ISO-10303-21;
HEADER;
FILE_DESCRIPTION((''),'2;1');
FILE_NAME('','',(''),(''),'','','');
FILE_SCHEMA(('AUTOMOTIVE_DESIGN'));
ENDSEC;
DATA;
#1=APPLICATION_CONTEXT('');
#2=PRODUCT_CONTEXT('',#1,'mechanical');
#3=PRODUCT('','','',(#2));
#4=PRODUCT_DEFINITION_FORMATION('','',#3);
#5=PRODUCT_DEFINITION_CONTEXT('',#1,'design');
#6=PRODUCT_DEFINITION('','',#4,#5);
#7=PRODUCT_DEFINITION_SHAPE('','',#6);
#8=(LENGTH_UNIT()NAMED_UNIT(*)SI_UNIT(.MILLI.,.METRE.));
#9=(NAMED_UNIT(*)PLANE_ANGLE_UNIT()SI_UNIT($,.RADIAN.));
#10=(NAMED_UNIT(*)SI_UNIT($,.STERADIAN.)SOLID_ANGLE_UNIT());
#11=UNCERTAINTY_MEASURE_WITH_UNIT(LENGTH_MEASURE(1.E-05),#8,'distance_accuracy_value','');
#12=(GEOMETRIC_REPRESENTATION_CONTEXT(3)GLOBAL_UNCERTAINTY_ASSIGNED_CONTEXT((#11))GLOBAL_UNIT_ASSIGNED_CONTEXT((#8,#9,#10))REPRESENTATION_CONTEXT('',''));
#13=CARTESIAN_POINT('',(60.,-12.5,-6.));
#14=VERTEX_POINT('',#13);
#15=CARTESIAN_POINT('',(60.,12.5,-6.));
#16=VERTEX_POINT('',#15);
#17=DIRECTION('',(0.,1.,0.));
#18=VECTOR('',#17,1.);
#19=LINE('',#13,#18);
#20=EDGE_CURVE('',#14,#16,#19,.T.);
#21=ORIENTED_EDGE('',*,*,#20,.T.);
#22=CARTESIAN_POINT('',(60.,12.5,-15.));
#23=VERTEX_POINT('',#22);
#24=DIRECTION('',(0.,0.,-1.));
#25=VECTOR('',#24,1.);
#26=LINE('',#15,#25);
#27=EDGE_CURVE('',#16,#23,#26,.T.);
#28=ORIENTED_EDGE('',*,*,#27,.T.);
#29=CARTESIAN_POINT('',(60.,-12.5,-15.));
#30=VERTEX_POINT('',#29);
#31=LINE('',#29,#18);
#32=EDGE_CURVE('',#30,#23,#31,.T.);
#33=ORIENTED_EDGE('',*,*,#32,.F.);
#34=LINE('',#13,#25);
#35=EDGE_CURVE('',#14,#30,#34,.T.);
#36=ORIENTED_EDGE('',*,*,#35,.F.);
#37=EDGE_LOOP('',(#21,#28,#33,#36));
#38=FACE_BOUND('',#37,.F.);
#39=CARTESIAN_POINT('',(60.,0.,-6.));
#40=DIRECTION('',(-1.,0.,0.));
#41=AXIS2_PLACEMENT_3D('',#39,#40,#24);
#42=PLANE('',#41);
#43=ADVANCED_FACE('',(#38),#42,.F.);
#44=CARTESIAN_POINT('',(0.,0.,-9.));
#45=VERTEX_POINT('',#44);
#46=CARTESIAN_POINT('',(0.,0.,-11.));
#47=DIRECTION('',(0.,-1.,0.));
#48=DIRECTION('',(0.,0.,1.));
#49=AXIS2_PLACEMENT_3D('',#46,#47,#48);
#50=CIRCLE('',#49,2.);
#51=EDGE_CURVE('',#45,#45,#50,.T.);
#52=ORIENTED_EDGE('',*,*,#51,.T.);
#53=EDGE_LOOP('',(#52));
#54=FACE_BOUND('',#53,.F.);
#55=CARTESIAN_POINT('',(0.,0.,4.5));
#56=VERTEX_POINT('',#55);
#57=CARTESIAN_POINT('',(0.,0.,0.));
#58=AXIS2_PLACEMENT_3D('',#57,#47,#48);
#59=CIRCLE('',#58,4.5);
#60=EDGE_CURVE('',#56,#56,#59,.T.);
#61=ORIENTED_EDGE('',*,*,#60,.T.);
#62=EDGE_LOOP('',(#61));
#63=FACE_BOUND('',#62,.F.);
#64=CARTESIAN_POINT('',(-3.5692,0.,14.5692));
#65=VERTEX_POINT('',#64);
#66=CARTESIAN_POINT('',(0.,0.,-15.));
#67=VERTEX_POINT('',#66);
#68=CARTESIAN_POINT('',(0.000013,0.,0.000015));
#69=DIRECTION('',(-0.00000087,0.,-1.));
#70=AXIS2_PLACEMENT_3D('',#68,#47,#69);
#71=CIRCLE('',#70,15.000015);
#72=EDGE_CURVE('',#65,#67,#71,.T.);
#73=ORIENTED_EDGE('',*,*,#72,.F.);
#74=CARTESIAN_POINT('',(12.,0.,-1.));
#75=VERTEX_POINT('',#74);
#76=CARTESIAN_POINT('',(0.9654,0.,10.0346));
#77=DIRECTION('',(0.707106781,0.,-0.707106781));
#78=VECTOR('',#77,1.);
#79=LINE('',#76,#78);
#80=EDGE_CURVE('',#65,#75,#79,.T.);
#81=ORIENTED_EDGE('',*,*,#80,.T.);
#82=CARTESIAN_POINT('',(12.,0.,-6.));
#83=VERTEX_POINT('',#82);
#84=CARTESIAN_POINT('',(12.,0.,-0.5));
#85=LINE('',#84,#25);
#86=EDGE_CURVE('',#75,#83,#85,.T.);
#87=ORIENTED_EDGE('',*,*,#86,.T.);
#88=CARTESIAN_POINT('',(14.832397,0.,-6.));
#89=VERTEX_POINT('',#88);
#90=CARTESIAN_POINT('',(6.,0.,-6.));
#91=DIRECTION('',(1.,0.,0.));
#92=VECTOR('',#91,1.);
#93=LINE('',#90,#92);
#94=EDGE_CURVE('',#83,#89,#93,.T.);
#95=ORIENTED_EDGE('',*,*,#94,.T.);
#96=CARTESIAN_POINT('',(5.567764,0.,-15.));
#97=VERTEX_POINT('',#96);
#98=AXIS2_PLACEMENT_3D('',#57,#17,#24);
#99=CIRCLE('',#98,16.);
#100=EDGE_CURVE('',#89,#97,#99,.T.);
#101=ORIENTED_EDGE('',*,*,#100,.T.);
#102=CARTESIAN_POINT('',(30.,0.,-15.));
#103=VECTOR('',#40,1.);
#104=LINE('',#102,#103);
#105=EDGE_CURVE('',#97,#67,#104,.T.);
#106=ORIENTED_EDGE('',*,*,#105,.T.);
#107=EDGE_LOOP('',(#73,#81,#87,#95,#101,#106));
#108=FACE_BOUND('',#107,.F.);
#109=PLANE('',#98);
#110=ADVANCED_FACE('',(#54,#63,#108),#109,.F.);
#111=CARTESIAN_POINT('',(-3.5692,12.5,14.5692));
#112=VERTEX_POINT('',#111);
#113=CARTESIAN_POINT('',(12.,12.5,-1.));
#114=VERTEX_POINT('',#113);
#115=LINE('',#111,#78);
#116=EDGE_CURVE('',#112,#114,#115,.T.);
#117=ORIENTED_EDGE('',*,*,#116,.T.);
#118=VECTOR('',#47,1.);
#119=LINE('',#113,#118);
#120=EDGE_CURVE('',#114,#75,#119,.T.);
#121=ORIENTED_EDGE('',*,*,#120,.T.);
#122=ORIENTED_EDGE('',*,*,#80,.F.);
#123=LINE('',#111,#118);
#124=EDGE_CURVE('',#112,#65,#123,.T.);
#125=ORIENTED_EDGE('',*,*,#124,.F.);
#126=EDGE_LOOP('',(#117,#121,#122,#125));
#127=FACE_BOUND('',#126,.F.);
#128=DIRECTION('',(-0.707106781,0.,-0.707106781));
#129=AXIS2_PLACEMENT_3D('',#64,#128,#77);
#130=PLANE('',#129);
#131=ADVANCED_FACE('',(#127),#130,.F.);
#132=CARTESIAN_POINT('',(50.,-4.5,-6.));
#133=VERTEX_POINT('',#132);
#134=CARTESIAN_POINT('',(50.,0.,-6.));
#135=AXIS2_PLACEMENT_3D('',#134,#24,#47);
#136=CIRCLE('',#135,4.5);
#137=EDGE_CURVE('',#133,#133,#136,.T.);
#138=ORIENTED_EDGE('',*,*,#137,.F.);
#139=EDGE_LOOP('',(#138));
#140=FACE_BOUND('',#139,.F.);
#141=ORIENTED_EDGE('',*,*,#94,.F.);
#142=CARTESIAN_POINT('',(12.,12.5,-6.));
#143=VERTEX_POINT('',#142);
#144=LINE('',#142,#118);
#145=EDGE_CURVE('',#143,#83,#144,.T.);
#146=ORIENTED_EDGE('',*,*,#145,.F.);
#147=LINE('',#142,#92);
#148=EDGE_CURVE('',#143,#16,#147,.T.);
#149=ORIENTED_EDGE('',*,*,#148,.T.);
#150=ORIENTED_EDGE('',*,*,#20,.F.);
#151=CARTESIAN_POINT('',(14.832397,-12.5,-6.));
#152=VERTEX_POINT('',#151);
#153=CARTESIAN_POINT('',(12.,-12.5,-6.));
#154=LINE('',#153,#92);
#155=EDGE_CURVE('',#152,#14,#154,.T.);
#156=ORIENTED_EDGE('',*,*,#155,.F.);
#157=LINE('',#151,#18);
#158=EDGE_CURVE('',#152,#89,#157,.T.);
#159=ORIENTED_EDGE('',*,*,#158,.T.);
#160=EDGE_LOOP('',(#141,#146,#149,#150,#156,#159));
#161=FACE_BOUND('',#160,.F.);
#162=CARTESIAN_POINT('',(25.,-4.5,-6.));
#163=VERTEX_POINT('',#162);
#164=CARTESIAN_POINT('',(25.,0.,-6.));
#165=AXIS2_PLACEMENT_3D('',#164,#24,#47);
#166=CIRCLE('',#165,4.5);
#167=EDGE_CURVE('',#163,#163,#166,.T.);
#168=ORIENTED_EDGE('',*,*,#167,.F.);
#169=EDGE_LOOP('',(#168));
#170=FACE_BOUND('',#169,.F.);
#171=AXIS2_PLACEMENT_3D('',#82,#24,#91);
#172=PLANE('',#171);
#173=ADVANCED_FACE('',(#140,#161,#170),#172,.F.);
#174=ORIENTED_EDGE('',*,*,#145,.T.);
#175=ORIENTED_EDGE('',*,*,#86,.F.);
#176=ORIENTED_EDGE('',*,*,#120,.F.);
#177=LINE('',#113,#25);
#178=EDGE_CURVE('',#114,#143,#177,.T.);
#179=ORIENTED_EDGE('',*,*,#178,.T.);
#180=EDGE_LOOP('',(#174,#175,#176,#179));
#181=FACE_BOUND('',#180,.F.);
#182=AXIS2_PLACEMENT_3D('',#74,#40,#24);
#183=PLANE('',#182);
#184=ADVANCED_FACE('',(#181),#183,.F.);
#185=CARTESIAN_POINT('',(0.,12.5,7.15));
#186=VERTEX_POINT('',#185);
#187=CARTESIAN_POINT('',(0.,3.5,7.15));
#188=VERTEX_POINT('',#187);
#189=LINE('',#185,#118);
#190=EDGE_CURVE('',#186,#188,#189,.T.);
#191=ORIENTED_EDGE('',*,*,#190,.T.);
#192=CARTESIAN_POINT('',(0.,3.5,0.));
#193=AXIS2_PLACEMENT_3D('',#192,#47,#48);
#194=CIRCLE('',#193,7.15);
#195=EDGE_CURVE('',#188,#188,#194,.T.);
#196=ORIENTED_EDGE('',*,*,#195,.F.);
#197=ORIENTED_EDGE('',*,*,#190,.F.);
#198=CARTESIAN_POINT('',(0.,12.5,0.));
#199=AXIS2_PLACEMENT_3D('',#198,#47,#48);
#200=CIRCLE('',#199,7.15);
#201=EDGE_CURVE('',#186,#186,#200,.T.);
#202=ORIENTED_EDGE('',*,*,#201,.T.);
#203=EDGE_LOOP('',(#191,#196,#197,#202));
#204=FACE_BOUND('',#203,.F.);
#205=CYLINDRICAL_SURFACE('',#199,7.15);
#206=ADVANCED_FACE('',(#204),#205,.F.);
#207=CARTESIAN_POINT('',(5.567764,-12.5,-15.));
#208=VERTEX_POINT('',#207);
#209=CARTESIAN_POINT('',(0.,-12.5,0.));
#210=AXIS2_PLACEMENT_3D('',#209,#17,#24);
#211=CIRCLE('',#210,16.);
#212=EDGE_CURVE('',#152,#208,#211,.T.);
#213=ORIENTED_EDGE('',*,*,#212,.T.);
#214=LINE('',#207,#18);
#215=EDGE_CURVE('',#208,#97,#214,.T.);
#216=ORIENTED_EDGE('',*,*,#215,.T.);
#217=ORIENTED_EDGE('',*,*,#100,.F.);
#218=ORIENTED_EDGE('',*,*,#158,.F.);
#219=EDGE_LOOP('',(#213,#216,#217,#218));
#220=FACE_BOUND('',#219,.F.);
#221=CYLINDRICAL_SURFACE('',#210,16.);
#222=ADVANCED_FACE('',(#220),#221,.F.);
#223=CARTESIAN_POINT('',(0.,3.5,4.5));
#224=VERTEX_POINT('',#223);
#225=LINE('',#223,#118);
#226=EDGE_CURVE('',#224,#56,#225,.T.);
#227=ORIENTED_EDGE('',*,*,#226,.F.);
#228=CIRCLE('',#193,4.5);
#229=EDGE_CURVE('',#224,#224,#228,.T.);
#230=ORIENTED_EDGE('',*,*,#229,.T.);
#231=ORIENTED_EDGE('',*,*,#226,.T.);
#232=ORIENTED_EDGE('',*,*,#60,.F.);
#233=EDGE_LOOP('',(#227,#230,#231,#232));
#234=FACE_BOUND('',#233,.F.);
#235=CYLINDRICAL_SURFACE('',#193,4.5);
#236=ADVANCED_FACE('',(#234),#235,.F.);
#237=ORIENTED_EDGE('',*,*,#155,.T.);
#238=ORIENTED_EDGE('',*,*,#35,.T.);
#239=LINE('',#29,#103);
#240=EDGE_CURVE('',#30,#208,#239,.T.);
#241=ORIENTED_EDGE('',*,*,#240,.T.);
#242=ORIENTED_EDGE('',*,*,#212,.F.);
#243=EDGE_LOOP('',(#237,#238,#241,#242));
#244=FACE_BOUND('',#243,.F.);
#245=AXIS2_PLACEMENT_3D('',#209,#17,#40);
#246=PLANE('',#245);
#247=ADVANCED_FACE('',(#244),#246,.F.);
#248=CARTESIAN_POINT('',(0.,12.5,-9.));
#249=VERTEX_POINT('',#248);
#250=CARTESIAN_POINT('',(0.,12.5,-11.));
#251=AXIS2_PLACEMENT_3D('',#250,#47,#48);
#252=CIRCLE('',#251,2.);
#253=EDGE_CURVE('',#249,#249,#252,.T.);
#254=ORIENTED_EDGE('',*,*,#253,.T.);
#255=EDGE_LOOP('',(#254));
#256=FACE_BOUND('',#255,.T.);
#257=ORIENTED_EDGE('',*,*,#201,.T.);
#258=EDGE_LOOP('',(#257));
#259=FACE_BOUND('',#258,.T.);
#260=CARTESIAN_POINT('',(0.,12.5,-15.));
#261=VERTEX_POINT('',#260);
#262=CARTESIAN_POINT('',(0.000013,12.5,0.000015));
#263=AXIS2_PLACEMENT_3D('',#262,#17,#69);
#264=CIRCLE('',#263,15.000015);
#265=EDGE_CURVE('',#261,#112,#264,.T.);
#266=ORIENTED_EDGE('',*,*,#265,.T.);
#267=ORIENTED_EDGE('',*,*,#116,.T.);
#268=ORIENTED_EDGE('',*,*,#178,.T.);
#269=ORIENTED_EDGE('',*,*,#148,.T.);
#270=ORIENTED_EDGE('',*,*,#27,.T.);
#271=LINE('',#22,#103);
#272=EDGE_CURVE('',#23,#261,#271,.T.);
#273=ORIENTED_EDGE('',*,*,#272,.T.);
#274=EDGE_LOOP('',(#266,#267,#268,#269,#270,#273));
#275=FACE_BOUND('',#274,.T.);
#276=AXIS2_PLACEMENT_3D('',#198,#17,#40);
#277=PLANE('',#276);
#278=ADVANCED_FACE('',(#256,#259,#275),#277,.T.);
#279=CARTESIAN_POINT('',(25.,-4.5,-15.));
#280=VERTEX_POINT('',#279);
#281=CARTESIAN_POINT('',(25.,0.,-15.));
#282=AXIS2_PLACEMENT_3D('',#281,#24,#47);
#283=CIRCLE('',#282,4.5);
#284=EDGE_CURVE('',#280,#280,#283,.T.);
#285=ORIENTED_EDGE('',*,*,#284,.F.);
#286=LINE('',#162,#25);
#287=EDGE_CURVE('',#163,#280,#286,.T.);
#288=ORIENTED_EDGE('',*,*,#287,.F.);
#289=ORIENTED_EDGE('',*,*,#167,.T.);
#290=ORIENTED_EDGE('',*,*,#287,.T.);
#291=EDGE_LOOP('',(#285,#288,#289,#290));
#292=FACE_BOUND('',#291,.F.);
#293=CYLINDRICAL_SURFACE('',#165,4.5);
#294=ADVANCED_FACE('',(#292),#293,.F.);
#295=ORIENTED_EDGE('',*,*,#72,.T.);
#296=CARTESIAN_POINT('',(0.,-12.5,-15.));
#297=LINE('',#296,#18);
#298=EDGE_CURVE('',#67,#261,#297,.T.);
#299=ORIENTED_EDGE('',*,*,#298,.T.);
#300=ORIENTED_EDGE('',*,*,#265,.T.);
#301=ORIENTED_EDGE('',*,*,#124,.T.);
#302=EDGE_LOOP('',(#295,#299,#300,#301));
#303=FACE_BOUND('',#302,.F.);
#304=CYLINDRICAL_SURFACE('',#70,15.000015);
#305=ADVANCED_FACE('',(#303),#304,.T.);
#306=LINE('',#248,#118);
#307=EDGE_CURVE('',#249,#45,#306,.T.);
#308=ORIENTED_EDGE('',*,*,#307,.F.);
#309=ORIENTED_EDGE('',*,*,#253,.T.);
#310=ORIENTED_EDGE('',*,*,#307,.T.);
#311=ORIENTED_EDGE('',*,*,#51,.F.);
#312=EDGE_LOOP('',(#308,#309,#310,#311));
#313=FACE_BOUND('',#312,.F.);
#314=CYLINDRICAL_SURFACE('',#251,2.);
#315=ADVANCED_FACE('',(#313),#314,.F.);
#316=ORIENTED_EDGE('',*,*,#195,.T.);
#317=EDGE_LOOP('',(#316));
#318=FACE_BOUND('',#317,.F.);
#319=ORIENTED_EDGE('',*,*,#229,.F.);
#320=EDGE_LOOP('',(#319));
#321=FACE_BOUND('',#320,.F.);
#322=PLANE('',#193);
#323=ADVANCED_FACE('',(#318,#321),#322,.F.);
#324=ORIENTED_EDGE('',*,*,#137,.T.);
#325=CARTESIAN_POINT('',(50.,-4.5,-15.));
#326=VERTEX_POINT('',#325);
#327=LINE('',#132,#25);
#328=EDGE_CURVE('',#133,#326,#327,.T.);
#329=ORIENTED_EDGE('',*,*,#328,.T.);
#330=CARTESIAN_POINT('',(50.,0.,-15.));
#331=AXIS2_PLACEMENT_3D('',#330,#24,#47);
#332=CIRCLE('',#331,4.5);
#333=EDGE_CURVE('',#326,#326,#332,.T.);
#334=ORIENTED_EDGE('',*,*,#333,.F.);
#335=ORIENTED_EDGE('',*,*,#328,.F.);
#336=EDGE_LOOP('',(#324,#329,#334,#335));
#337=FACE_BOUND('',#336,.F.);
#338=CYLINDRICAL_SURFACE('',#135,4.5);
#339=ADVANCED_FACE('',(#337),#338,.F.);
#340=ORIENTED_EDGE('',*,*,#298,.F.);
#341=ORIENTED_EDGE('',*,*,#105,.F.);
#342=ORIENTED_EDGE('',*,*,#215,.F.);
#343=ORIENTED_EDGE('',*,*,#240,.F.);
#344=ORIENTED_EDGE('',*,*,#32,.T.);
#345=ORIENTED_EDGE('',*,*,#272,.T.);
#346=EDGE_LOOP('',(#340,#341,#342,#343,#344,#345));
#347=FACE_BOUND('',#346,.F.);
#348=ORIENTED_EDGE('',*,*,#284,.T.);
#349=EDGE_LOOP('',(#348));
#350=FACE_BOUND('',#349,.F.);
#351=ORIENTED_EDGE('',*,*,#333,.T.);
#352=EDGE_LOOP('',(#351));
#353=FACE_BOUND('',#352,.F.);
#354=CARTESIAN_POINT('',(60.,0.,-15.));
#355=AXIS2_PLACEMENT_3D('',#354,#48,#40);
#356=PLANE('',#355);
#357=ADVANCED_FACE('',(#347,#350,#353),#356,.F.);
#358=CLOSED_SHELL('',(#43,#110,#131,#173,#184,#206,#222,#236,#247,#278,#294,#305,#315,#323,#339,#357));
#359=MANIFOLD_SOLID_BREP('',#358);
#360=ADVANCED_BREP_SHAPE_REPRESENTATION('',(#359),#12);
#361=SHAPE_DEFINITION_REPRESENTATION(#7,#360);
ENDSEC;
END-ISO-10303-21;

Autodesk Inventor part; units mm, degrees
ref_plane "YZ Plane" through (0, 0, 0) normal (1, 0, 0) x (0, 1, 0)
ref_plane "XZ Plane" through (0, 0, 0) normal (0, 1, 0) x (-1, 0, 0)
ref_plane "XY Plane" through (0, 0, 0) normal (0, 0, 1) x (1, 0, 0)
sketch "Sketch2" plane through (0, 0, 0) normal (0, 1, 0) x (-1, 0, 0)
  line L0 (-60, -6) -> (-60, -15)
  line L1 (-60, -15) -> (0, -15)
  arc A0 (0, -15) -> (3.5692, 14.5692) centre (0, 0) ccw
  line L2 (3.5692, 14.5692) -> (-12, -1)
  line L3 (-12, -1) -> (-12, -6)
  line L4 (-12, -6) -> (-60, -6)
  dimension "d1" = 15
  dimension "d2" = 60
  dimension "d3" = 9
  dimension "d4" = 45
  dimension "d5" = 5
  dimension "d6" = 7.7782
extrude "Extrusion1" add sketch "Sketch2" along normal mid plane 25
sketch "Sketch3" plane through (0, -12.5, 0) normal (0, -1, 0) x (1, 0, 0)
  point P0 (0, 0)
  point P1 (0, 0)
hole "Hole1" at (0, -12.5, 0) direction (0, 1, 0) diameter 32 depth 12.5
sketch "Sketch4" plane through (0, 12.5, 0) normal (0, 1, 0) x (1, 0, 0)
  point P0 (0, 0)
  point P1 (0, 0)
hole "Hole2" at (0, 12.5, 0) direction (0, -1, 0) diameter 9 end through all counterbore diameter 14.3 counterbore depth 9
sketch "Sketch5" plane through (0, 12.5, 0) normal (0, 1, 0) x (1, 0, 0)
  line L0 (0, 0) -> (0, 11) construction
  dimension "d23" = 11
hole "Hole3" at (0, 12.5, -11) direction (0, -1, 0) diameter 4 end through all
sketch "Sketch6" plane through (12, 12.5, -6) normal (0, 0, 1) x (1, 0, 0)
  line L0 (-42, -12.5) -> (63, -12.5) construction
  line L1 (48, -25) -> (48, 0) construction
  point P0 (-12, -12.5)
  point P1 (38, -12.5)
  point P2 (13, -12.5)
  dimension "d31" = 25
  dimension "d32" = 10
hole "Hole4" at (50, 0, -6) at (25, 0, -6) direction (0, 0, -1) diameter 9 end through all
equation "\"d14\" = 0.5 * d7"
equation "\"d21\" = 0.5 * d7"
equation "\"d7\" = 25"
properties part number "2DU81" material "Aluminum 6061"
